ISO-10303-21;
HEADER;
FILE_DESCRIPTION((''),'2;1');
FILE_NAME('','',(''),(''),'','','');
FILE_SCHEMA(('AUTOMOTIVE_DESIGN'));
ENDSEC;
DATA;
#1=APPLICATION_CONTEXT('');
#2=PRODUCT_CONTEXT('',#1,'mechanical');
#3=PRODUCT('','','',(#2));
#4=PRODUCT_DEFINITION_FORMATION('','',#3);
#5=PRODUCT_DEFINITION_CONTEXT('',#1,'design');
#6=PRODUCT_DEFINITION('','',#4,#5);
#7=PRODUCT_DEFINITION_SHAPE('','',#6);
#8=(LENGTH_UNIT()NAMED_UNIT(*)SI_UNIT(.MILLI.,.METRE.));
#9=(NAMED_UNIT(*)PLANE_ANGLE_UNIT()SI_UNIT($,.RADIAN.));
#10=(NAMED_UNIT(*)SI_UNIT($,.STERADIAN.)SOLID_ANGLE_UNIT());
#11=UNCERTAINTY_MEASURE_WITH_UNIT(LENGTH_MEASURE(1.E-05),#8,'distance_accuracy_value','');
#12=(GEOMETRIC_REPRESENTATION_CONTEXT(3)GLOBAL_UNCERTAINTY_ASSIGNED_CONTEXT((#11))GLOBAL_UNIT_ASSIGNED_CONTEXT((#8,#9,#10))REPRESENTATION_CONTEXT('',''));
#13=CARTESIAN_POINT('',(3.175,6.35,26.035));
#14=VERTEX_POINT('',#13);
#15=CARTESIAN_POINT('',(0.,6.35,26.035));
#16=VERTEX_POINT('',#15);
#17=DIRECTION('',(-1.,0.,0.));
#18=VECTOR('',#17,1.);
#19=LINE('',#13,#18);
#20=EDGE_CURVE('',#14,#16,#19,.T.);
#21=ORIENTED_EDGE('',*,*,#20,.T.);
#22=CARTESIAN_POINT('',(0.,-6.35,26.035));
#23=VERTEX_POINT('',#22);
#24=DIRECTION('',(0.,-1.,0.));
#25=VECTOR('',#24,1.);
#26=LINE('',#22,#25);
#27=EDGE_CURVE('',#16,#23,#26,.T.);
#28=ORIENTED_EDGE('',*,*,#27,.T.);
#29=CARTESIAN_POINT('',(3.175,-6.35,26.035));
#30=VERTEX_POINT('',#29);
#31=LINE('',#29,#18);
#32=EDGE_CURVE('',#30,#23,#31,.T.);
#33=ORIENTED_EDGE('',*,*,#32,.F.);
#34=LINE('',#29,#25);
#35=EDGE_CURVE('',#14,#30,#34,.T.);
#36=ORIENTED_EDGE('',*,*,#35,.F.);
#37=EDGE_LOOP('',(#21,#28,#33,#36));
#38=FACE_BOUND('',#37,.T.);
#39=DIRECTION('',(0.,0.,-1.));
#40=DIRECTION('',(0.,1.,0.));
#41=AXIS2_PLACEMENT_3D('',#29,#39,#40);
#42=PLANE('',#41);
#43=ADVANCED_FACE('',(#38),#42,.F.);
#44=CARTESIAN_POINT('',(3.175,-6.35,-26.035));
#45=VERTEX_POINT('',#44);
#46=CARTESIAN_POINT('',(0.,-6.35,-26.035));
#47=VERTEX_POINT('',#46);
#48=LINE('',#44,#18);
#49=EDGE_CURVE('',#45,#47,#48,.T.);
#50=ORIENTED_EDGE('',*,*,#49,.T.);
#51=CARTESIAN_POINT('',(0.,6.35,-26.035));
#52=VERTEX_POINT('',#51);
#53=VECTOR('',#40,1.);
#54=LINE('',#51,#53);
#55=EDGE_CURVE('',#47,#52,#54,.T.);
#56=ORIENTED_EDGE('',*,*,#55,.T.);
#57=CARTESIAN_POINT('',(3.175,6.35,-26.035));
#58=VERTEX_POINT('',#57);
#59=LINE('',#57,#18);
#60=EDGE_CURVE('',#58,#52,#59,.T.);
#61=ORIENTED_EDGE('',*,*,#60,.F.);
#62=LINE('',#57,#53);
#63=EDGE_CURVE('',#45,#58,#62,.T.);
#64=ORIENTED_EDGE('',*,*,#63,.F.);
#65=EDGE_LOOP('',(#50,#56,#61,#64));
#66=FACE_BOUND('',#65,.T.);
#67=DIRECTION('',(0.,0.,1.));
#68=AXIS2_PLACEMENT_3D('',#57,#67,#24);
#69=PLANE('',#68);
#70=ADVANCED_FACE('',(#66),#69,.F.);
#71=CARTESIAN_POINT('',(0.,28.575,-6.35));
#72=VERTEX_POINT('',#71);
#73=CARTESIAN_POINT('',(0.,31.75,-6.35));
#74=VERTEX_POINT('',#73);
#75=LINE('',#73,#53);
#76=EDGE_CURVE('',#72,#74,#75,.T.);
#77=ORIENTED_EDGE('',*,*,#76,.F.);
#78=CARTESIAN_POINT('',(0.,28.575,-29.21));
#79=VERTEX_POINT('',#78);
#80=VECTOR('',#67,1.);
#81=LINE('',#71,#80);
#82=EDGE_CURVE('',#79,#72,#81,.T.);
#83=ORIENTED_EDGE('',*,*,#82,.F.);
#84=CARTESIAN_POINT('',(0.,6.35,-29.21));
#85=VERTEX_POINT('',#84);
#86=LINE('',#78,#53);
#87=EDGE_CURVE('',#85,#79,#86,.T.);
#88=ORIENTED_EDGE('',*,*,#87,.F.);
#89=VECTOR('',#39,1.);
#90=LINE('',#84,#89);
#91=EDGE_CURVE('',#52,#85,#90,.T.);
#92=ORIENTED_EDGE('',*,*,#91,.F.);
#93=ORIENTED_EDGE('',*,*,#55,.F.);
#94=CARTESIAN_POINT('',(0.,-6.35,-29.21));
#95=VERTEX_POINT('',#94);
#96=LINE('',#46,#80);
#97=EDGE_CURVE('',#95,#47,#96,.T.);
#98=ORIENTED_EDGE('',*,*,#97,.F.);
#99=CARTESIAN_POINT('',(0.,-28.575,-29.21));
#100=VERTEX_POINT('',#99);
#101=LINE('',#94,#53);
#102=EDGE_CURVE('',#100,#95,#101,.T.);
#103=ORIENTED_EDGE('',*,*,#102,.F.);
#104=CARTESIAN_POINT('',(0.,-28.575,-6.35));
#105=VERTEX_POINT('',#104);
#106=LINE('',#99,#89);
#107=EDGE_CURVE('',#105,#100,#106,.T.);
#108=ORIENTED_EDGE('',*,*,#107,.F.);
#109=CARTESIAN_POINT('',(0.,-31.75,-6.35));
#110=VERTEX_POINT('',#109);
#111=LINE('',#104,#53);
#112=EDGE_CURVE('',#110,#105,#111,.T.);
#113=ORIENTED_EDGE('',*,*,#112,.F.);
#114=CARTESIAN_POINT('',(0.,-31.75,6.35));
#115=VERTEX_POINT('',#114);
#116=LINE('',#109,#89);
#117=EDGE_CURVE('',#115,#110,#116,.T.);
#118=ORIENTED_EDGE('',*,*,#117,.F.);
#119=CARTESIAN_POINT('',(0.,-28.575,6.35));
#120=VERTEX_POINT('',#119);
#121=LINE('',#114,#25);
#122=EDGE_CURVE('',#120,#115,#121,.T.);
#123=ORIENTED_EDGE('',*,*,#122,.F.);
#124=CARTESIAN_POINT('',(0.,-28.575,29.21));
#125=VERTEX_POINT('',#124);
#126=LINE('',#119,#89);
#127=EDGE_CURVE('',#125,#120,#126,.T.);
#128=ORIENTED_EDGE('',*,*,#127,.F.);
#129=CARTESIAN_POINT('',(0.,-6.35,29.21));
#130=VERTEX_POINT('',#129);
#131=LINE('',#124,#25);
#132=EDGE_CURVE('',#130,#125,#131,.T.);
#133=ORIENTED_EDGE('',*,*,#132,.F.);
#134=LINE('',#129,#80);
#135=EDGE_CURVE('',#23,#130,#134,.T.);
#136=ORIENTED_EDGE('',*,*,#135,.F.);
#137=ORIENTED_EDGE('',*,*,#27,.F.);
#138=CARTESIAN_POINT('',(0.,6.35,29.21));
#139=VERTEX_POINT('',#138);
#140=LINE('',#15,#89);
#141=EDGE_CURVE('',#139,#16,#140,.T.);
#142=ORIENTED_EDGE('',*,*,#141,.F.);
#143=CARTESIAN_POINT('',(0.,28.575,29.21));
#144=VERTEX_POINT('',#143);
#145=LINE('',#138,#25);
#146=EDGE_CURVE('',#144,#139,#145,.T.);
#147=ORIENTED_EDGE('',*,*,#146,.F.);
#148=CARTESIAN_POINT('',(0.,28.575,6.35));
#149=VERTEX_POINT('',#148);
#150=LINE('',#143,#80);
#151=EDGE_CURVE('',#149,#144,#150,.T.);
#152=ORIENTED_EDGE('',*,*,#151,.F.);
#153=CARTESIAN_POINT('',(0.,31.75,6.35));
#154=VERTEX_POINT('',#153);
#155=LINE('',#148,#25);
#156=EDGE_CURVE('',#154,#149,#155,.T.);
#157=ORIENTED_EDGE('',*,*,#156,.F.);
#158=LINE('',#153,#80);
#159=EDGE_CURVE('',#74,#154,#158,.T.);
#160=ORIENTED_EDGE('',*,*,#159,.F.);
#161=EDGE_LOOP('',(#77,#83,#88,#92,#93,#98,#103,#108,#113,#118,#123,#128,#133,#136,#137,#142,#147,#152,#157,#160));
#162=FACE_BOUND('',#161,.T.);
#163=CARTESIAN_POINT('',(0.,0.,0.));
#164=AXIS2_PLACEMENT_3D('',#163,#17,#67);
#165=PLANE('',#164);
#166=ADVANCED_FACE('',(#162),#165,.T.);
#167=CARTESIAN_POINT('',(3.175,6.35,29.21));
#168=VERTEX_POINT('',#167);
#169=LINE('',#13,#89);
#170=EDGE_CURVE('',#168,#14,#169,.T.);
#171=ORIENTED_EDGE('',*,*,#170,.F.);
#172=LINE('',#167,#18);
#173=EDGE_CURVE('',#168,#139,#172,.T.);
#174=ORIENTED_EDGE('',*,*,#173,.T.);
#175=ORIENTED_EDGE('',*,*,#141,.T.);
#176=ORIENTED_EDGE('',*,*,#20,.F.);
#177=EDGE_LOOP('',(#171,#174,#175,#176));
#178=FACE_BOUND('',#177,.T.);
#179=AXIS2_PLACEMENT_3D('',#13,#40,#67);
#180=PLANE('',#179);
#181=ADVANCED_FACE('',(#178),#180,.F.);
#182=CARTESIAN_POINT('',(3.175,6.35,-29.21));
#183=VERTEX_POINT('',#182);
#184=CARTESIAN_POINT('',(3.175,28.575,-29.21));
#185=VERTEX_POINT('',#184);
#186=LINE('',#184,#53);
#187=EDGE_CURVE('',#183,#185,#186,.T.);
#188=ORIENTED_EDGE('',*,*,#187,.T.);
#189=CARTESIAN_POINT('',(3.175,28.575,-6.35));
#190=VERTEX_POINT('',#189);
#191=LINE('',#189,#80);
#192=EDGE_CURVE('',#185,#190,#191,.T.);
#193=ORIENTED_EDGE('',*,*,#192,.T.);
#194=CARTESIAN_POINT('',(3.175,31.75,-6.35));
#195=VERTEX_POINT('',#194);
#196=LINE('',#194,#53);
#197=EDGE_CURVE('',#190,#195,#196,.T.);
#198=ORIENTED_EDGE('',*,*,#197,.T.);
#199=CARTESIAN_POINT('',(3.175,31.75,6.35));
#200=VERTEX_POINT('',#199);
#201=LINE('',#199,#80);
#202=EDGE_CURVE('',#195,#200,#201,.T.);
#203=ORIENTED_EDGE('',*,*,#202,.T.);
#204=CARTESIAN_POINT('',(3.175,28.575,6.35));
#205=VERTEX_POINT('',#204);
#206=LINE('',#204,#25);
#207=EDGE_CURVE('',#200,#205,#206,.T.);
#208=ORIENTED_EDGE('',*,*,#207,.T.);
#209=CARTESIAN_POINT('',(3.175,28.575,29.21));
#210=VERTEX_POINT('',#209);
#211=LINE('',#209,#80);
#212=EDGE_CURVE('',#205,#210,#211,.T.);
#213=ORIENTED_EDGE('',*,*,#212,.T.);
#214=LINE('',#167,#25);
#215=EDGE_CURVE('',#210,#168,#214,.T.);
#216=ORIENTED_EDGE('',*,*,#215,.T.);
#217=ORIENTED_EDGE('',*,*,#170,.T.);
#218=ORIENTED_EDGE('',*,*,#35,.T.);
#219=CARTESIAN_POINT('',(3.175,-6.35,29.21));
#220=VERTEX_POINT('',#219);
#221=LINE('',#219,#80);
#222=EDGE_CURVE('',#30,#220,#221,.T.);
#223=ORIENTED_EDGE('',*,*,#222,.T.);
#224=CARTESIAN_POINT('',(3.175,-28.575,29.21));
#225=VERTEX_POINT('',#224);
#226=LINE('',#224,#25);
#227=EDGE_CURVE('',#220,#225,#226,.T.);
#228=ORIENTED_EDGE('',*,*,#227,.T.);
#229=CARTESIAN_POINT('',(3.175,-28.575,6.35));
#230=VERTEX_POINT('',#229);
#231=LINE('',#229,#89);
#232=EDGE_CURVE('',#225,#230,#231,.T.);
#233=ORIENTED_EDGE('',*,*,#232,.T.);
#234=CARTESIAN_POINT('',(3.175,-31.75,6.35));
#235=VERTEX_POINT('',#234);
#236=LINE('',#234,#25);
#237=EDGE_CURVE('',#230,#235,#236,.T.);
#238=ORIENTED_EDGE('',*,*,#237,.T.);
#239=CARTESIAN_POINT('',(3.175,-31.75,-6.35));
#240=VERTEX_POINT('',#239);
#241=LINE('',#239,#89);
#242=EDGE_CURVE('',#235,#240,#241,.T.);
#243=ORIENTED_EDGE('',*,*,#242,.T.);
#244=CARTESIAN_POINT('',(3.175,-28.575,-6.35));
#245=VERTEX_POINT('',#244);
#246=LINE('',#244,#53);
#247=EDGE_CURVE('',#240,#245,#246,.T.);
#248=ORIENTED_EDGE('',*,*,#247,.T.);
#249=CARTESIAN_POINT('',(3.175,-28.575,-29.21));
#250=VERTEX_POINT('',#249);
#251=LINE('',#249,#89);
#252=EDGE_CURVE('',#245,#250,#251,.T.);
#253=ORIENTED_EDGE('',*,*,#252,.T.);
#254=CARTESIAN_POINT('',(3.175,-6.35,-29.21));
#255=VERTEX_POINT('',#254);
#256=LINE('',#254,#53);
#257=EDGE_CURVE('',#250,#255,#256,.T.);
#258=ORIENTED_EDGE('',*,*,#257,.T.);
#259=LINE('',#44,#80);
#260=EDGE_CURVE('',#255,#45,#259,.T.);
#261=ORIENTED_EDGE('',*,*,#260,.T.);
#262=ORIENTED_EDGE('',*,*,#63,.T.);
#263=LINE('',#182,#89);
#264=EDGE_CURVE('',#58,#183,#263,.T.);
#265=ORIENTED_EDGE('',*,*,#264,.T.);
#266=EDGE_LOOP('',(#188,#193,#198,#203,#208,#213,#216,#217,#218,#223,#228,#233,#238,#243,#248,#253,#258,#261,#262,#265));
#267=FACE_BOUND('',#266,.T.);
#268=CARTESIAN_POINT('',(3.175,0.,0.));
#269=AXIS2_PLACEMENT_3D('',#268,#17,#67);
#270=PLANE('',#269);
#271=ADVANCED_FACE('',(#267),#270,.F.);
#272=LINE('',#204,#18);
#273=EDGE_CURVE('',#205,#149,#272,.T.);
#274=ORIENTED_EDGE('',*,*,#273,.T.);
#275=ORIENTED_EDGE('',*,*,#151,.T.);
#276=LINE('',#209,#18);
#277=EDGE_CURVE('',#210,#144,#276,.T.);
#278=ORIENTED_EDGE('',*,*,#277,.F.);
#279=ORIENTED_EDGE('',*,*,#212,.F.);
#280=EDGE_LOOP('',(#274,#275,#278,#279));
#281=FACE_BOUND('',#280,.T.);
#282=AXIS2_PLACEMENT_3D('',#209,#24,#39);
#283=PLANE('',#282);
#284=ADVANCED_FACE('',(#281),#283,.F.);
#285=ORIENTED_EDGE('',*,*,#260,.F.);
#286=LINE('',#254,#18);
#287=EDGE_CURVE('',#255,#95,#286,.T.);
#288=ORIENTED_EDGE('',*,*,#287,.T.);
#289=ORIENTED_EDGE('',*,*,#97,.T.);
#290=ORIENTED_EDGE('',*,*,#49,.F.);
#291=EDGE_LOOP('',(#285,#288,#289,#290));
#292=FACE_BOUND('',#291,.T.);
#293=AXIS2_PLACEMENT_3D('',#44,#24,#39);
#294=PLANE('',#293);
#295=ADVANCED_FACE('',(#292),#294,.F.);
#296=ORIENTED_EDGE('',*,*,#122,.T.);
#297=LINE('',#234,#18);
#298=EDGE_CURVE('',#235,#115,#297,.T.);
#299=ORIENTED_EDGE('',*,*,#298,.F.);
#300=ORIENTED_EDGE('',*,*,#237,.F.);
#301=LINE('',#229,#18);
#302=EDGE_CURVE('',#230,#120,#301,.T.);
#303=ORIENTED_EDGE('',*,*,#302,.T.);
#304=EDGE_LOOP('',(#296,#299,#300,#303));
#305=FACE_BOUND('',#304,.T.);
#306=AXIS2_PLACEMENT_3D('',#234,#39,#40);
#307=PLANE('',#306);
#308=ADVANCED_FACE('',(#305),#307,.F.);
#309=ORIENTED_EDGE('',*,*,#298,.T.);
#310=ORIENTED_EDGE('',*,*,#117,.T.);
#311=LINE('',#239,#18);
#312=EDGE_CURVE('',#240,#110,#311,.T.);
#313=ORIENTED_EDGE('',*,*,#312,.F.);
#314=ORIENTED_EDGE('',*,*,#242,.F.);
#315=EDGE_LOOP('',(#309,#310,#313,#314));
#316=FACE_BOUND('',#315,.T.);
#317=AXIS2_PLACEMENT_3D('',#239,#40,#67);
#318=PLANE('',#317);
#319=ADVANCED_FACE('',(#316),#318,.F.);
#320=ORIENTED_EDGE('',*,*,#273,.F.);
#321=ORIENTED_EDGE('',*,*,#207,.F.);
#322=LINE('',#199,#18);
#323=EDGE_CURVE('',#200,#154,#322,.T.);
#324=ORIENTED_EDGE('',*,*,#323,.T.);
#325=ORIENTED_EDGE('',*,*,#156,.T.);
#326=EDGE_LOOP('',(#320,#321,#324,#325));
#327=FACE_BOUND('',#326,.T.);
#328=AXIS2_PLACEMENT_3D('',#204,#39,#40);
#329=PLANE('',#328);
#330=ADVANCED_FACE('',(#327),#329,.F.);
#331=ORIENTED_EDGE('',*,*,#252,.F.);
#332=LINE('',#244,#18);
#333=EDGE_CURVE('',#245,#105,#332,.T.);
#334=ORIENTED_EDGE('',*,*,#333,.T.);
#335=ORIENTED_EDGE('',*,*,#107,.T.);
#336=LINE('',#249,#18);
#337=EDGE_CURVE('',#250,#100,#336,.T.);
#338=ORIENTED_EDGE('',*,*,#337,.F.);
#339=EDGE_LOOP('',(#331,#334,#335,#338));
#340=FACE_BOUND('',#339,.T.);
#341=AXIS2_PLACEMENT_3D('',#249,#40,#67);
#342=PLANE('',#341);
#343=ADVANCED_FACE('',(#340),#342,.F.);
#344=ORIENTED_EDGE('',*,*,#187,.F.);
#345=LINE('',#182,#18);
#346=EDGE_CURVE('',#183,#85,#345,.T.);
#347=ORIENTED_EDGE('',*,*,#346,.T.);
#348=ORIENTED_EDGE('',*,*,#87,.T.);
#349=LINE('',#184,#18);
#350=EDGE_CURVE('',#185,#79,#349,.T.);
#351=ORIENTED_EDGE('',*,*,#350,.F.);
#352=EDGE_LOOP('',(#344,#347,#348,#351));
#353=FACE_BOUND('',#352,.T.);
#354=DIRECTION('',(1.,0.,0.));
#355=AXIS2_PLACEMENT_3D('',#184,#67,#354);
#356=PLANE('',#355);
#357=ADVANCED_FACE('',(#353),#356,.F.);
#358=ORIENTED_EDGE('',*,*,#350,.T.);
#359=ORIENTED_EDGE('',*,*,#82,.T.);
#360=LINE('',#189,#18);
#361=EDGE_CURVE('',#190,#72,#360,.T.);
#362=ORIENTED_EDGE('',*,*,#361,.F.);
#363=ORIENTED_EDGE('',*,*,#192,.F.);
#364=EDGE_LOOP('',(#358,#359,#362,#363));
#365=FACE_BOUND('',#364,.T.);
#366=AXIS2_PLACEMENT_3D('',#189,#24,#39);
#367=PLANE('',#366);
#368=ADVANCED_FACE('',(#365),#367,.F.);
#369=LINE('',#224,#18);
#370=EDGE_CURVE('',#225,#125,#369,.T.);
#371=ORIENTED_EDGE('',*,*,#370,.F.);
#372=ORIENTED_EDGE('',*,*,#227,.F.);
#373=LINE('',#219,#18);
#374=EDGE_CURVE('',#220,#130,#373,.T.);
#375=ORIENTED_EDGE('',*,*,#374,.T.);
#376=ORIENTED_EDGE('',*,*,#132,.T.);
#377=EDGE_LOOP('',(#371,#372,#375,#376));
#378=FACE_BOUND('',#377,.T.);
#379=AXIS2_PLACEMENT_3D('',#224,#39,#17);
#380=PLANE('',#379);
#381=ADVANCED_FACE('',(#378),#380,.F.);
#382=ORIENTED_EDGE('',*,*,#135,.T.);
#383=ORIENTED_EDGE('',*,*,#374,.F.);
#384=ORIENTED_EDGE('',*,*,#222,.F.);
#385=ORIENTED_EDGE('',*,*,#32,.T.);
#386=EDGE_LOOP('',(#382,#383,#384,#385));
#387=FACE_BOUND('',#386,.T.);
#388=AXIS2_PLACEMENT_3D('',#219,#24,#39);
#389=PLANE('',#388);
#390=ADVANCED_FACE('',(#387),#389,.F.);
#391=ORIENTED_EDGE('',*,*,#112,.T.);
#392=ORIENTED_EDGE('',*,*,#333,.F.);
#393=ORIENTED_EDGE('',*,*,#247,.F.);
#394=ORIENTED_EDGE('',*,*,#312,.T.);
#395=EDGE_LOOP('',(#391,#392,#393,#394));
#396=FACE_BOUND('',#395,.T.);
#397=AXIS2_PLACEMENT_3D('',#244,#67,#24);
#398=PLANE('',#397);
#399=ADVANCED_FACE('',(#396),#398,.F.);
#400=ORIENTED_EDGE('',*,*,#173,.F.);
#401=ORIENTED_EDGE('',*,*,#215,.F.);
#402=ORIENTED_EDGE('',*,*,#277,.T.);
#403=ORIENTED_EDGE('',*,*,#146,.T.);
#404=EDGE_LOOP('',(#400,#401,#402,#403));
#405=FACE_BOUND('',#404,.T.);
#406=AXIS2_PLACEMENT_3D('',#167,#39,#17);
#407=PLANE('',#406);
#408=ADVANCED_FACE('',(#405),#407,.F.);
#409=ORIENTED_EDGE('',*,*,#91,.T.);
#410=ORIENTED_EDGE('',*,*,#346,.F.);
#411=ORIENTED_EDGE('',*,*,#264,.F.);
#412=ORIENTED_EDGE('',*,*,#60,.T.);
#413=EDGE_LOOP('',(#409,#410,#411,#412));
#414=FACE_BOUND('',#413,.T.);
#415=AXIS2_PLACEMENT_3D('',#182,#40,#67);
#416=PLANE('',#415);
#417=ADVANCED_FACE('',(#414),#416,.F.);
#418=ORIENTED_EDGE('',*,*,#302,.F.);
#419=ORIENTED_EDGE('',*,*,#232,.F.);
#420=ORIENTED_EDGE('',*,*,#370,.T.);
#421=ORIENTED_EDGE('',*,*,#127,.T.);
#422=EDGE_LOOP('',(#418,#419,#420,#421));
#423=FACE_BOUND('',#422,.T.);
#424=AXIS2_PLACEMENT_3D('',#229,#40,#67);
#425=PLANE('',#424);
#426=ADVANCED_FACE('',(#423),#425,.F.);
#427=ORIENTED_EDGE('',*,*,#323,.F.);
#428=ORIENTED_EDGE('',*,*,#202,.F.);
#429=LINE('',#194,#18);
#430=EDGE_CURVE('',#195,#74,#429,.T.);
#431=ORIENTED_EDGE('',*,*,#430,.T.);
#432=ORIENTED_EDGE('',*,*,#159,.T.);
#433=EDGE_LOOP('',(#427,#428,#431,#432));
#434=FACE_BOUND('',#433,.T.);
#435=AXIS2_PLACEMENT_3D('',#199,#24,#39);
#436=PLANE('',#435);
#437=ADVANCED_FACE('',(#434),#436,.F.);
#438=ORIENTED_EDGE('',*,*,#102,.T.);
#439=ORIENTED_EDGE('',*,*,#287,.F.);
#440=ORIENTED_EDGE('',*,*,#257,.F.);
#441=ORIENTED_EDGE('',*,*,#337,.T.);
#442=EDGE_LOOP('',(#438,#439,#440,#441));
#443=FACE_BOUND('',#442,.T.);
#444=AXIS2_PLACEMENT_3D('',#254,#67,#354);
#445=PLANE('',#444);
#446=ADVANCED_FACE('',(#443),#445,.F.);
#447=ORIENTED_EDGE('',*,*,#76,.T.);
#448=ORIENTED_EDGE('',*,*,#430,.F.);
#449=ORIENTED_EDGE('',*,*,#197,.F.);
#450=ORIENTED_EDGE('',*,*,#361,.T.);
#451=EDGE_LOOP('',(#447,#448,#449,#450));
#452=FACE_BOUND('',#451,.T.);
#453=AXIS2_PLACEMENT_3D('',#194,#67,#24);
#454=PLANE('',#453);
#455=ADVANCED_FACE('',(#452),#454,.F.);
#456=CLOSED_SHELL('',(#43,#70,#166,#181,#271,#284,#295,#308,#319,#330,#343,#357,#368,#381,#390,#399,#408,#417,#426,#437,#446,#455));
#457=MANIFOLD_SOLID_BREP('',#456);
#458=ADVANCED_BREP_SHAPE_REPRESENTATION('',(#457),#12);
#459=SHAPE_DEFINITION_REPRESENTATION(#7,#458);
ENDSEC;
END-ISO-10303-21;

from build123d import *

# Parameters (mm, degrees)
BOSS_EXTRUDE1_DEPTH = 3.175


with BuildPart() as part:
    # Sketch1 → Boss-Extrude1 (new body)
    with BuildSketch(Plane(origin=(0, 0, 0), x_dir=(0, 0, -1), z_dir=(1, 0, 0))):
        Polygon((-29.21, 28.575), (-6.35, 28.575), (-6.35, 31.75), (6.35, 31.75), (6.35, 28.575), (29.21, 28.575), (29.21, 6.35), (26.035, 6.35), (26.035, -6.35), (29.21, -6.35), (29.21, -28.575), (6.35, -28.575), (6.35, -31.75), (-6.35, -31.75), (-6.35, -28.575), (-29.21, -28.575), (-29.21, -6.35), (-26.035, -6.35), (-26.035, 6.35), (-29.21, 6.35), align=None)
    extrude(amount=BOSS_EXTRUDE1_DEPTH)


solid = part.part
